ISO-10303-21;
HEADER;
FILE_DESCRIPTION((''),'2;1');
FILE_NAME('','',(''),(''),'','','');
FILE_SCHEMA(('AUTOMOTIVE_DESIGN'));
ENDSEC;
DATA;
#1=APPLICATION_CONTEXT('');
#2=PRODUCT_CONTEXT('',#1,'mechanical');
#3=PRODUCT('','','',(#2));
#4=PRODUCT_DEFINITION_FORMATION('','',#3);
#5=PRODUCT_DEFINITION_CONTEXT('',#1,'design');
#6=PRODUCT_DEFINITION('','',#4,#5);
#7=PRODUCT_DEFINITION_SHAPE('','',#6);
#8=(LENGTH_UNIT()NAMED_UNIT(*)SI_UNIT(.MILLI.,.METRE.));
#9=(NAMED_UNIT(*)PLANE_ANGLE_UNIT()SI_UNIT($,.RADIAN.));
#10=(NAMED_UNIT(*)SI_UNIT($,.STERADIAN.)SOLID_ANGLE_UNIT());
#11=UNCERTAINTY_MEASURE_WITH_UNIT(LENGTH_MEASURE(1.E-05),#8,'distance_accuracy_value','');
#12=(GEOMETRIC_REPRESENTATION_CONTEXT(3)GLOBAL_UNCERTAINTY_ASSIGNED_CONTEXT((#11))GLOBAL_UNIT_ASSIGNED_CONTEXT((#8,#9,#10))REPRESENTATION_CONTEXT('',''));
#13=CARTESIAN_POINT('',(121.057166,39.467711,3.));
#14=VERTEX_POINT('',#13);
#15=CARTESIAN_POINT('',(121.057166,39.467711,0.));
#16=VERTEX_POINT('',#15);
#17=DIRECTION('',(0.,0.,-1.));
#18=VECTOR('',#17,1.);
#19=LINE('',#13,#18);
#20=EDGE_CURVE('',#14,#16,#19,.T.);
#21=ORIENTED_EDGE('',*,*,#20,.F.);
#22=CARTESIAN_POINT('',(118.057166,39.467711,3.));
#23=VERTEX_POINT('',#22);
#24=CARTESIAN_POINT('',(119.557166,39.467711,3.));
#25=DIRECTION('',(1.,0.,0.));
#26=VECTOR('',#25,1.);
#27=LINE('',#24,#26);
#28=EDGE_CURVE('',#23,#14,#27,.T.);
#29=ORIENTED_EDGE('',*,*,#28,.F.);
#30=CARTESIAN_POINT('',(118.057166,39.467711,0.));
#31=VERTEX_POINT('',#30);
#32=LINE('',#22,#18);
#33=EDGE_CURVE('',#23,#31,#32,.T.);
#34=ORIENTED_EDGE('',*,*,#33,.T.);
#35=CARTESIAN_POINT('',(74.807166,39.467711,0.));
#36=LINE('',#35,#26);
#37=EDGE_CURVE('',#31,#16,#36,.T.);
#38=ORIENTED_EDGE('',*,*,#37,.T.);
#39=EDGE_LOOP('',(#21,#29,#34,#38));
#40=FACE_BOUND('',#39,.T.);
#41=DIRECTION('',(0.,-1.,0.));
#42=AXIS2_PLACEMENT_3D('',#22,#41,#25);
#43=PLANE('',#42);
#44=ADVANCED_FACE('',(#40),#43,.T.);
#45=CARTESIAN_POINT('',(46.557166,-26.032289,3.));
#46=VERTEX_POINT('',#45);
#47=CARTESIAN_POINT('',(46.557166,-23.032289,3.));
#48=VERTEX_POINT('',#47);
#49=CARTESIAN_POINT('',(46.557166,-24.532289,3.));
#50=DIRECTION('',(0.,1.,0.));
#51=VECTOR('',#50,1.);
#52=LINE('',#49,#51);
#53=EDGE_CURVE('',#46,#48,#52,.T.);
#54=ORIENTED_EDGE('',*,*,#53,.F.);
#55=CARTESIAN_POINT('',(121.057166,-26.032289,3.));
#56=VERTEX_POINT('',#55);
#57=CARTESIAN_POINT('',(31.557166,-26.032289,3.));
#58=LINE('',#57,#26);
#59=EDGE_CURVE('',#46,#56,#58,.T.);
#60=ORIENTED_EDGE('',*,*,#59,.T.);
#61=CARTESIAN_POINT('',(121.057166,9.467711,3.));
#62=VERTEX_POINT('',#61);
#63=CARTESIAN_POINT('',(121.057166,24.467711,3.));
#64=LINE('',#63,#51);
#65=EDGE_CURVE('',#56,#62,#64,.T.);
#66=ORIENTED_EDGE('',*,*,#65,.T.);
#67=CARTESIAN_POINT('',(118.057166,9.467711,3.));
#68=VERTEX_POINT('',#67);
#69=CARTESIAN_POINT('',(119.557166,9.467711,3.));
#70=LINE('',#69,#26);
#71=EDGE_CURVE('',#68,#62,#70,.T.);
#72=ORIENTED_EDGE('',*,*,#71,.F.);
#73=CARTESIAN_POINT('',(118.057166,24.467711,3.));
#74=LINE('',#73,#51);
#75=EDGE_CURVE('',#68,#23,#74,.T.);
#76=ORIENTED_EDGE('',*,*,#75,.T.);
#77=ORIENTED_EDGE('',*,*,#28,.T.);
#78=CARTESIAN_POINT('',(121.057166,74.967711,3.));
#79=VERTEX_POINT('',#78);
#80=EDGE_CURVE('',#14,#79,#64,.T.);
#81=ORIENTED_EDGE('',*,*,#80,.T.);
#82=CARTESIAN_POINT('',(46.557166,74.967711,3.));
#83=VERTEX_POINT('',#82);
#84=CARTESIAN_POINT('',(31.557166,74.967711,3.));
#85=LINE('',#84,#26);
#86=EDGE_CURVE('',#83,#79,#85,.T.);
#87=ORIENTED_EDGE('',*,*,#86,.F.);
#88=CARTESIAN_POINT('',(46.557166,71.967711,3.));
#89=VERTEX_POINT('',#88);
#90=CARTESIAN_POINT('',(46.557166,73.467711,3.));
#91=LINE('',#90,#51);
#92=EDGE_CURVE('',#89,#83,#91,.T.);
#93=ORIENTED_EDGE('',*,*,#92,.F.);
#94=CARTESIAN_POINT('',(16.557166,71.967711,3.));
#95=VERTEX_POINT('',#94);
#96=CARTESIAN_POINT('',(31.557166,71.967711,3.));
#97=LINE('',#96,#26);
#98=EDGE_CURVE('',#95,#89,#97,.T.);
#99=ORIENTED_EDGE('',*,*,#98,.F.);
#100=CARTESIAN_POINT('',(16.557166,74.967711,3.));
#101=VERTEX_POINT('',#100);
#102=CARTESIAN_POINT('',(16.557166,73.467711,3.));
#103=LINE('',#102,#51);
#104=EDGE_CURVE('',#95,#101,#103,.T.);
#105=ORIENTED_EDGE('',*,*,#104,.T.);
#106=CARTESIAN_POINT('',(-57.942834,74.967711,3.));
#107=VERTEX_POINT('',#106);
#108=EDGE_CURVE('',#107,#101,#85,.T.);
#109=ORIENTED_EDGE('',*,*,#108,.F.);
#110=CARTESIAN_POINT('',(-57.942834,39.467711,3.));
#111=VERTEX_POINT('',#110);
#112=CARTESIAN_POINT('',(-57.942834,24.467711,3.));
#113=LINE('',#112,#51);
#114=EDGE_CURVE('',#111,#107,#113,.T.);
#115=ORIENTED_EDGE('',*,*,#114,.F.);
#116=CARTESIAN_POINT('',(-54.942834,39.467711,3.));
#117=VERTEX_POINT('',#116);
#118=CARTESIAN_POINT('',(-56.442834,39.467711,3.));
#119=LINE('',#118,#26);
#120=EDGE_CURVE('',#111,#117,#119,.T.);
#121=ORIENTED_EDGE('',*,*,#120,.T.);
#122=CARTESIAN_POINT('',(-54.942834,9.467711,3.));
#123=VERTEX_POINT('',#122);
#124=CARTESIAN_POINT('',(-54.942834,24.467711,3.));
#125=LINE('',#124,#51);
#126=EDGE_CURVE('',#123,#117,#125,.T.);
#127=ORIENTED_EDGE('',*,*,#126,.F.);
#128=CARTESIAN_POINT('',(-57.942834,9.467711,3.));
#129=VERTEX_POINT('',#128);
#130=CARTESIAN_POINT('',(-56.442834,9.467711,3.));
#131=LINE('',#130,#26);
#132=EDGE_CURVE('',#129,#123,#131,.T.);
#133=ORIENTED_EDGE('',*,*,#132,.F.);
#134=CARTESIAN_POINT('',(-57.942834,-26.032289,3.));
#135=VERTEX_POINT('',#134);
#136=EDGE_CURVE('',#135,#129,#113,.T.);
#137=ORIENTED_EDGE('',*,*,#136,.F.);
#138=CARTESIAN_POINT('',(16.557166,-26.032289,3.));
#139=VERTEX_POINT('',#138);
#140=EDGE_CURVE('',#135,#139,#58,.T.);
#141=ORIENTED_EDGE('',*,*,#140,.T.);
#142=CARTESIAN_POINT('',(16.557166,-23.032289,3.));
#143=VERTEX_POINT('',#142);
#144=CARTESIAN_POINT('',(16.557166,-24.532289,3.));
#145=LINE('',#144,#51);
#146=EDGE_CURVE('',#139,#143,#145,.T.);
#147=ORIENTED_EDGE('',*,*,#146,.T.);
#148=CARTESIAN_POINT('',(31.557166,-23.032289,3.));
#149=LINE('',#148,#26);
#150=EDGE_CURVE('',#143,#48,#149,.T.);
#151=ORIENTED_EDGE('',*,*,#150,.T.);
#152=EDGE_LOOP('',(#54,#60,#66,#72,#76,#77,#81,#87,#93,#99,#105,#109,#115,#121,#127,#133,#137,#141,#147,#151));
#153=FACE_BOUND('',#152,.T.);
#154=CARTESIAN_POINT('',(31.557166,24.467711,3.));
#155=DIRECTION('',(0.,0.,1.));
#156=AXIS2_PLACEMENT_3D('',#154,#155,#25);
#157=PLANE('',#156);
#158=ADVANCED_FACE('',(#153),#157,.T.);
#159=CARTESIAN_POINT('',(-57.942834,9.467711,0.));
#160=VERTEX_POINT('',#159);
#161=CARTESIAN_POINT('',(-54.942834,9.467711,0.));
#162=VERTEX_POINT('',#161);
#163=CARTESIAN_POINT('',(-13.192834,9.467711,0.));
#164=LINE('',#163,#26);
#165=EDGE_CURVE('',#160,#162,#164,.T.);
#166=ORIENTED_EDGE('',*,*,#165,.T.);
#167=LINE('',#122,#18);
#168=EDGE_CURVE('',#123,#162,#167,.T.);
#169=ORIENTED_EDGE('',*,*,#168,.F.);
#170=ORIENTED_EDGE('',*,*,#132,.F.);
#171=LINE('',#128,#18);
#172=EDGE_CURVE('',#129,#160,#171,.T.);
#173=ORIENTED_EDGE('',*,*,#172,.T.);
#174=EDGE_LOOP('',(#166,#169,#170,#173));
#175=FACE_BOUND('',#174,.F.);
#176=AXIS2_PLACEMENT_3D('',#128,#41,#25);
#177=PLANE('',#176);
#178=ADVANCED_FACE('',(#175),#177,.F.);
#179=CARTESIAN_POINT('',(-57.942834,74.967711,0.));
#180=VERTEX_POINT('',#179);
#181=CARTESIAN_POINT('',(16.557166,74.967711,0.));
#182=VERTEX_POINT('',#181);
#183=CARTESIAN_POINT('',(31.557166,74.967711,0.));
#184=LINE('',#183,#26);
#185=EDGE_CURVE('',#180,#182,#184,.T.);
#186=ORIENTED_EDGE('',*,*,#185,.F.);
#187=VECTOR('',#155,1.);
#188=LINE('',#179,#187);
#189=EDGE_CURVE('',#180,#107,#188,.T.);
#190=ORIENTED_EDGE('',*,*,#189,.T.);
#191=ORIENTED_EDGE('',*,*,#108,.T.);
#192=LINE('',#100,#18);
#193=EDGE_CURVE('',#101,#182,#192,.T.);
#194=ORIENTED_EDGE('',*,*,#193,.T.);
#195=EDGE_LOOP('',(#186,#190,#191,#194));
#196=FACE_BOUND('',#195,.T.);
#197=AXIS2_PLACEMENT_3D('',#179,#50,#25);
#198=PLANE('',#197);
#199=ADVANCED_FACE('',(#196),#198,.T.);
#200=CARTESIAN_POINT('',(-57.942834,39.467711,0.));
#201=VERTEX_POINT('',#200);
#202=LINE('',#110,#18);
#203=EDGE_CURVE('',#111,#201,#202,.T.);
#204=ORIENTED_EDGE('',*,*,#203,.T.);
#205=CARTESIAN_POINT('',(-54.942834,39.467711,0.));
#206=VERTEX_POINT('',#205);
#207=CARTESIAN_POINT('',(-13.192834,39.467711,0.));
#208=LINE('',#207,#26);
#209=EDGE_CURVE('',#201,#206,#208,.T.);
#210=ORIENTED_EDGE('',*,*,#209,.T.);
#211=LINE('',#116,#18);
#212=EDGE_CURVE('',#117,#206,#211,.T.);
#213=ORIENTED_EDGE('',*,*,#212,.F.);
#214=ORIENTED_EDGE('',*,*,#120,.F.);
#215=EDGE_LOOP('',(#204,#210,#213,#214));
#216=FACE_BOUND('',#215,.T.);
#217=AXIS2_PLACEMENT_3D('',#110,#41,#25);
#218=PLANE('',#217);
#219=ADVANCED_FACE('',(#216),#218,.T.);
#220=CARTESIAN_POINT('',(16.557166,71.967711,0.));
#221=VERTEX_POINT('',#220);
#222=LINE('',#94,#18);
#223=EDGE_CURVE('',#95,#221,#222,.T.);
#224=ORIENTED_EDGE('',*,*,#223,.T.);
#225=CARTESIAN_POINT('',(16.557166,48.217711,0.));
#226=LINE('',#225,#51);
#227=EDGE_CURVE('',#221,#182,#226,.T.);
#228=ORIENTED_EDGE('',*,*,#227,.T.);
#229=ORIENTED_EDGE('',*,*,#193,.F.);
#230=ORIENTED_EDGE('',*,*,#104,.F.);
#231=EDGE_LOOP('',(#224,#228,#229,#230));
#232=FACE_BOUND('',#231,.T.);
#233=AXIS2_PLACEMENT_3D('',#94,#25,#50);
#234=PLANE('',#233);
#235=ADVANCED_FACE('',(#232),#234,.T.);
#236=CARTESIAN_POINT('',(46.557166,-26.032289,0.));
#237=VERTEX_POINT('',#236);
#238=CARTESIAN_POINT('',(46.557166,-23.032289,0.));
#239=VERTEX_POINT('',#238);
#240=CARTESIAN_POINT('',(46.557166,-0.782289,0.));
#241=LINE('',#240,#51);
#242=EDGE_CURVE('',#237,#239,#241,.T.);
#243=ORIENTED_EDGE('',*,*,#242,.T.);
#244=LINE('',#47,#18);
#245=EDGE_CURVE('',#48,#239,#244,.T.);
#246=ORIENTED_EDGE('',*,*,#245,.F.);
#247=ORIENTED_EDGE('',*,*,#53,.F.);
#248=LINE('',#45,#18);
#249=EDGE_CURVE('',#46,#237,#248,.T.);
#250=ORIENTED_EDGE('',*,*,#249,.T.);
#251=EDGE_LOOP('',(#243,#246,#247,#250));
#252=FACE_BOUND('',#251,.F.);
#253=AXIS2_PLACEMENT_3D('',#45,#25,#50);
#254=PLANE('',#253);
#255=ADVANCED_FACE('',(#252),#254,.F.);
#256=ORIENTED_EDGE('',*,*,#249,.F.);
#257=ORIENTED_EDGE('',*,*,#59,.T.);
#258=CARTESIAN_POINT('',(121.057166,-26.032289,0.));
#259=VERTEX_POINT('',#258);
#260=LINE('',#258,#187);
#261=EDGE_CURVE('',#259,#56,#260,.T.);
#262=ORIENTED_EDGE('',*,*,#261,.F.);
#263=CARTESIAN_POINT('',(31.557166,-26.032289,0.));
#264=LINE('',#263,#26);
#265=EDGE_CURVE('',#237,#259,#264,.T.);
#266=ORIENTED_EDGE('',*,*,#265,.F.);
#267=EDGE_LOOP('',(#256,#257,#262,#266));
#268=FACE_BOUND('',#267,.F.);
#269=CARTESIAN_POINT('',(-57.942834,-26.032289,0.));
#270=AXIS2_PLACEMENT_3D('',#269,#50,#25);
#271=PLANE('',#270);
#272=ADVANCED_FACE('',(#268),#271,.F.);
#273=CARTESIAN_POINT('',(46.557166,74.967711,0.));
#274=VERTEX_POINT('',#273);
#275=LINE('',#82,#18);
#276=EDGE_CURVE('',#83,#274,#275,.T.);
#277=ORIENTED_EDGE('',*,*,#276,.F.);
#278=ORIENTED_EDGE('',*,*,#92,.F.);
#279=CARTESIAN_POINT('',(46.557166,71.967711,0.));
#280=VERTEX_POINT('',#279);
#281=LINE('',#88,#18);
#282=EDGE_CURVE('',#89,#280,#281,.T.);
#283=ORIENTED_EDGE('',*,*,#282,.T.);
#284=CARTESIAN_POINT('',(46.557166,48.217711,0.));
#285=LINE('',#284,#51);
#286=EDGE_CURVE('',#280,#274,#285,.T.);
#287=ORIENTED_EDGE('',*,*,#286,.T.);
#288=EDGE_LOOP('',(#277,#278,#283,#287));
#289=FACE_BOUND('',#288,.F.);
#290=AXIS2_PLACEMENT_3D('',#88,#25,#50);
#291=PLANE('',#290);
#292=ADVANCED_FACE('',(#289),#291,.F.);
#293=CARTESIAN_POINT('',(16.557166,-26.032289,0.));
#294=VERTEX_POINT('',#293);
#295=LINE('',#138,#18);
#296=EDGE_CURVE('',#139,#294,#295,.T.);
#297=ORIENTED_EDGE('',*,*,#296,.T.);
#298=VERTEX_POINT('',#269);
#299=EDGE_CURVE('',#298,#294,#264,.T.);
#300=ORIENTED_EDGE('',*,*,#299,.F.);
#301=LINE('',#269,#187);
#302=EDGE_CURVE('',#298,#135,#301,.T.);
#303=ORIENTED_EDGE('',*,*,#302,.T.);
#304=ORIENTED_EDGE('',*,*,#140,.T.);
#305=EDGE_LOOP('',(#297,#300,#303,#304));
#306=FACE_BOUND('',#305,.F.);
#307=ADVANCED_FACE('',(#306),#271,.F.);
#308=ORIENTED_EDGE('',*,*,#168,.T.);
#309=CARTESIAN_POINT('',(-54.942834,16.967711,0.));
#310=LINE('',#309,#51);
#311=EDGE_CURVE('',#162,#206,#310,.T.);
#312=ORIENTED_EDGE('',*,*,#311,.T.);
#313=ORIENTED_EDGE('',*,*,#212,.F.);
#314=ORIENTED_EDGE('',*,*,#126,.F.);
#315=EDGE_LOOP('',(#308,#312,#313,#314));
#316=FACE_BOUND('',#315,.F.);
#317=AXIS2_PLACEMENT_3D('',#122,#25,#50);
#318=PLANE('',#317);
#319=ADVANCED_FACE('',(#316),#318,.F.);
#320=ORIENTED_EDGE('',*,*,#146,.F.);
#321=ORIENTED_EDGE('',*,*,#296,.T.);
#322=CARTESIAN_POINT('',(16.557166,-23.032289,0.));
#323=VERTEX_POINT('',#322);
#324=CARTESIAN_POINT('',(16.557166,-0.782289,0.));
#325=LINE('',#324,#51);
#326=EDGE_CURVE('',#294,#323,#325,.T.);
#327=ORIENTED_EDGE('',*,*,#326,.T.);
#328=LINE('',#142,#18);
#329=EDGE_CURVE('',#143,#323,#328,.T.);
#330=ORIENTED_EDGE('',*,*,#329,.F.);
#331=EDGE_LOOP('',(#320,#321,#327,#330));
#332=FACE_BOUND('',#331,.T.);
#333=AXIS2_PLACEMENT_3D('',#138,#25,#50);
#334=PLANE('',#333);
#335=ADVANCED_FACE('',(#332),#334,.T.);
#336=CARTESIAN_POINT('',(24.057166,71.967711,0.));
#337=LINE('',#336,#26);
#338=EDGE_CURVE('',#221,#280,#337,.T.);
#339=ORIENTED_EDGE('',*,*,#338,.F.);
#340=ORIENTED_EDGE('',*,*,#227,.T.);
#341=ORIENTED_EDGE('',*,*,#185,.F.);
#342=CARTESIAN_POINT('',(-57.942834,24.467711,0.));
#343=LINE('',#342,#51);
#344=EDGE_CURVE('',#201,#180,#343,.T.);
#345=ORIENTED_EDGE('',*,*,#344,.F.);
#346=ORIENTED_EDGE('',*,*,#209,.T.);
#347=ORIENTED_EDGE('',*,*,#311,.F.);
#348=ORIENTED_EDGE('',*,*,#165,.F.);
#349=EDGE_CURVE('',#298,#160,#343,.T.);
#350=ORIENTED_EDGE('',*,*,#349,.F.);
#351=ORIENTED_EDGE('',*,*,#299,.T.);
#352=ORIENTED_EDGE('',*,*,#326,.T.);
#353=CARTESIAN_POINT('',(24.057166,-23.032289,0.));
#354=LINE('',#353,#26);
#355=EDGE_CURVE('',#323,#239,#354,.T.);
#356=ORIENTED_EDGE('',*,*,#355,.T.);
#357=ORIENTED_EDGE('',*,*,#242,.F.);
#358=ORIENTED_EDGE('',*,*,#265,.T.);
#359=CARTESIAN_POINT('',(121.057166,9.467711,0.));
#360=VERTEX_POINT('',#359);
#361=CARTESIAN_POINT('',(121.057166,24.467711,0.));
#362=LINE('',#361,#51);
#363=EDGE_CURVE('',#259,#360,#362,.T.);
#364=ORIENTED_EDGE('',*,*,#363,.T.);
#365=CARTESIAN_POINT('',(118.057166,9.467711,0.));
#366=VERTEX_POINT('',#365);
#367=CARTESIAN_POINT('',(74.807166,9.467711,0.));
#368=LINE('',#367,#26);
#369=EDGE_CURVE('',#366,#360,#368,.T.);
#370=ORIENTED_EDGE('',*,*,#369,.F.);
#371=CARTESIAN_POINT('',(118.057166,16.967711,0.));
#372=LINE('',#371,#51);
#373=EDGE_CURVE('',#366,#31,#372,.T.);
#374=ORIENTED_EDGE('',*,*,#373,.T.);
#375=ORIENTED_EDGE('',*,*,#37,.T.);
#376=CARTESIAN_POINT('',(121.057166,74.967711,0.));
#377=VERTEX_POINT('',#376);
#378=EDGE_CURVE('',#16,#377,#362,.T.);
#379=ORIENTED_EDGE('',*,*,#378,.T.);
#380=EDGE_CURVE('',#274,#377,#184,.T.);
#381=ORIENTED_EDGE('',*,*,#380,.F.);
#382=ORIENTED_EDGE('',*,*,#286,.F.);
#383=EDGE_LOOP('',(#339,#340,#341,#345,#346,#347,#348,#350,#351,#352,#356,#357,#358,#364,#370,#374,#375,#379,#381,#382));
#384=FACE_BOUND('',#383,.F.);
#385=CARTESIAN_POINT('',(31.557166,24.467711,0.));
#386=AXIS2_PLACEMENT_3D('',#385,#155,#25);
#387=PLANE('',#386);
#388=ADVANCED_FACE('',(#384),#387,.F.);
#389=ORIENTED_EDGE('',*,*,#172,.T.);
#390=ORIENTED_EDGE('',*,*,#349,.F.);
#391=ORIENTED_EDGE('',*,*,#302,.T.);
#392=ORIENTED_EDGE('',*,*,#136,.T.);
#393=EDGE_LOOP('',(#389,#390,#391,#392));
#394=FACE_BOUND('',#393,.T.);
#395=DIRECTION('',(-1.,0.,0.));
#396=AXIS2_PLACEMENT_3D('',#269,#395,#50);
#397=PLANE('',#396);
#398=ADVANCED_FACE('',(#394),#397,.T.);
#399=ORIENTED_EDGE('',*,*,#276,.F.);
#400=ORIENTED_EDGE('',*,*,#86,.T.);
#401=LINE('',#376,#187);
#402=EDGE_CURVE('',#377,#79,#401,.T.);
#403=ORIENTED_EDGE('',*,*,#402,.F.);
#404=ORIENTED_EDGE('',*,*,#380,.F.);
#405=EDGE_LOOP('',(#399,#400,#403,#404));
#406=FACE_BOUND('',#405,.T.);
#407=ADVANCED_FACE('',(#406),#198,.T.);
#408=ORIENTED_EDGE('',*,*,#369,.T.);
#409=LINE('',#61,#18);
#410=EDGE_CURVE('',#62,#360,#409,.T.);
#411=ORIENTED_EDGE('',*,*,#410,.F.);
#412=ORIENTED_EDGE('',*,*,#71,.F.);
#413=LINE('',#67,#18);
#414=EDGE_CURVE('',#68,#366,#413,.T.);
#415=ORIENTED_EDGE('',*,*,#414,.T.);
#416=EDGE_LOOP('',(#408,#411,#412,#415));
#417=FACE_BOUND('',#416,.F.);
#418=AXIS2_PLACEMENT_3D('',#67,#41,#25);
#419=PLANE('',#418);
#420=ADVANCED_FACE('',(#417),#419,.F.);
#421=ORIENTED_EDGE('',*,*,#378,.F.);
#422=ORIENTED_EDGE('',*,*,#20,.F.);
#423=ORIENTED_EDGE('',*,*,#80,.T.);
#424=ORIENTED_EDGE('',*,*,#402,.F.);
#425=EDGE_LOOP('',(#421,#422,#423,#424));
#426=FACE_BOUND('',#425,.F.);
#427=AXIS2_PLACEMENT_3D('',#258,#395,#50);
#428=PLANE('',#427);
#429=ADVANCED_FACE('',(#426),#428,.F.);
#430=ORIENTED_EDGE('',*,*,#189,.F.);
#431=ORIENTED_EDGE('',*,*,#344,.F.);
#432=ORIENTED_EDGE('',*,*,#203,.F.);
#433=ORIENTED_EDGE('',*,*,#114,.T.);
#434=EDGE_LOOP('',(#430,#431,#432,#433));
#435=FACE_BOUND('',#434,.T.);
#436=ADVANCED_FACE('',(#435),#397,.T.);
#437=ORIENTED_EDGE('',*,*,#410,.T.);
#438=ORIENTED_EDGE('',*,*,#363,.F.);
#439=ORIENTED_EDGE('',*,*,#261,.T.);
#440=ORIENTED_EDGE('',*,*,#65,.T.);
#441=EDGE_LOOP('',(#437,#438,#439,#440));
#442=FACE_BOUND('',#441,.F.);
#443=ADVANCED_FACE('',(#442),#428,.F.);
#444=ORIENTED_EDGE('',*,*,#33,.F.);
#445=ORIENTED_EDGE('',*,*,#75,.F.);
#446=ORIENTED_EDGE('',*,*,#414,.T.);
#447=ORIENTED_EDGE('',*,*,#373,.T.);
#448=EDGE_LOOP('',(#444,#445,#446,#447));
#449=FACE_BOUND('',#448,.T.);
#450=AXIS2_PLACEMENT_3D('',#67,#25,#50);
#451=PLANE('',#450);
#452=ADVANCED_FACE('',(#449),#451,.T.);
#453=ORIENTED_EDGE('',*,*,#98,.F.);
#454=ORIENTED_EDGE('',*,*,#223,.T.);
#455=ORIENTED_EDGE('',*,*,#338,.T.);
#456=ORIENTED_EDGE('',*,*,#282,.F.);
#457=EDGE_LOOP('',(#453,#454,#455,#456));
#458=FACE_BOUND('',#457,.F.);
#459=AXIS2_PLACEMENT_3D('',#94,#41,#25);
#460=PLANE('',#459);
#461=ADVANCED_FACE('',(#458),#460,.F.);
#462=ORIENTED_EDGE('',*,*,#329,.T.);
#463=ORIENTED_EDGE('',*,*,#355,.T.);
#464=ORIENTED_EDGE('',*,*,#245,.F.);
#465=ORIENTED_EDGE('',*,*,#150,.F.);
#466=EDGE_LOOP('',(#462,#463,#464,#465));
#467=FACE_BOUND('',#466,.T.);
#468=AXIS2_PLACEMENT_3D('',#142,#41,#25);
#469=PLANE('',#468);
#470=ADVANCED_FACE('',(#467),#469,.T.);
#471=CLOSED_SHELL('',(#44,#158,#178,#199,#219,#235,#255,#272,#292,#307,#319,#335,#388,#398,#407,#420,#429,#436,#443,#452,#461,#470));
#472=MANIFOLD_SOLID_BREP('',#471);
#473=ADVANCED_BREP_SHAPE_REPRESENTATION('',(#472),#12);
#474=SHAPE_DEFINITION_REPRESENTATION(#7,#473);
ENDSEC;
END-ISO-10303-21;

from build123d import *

# Parameters (mm, degrees)
F0_W     = 179
F0_H     = 101
F1_DEPTH = 3
F2_W     = 30
F2_H     = 3
F2_W_2   = 3
F2_H_2   = 30
F3_DEPTH = 25


with BuildPart() as f1:
    # F0 (on Top) → F1 (new body)
    with BuildSketch(Plane.XY):
        with Locations((31.557166, 24.467711)):
            Rectangle(F0_W, F0_H)
    extrude(amount=F1_DEPTH)

    # F2 (on face) → F3 (cut)
    with BuildSketch(Plane.XY.offset(3)):
        with Locations((31.557166, 73.467711)):
            Rectangle(F2_W, F2_H)
        with Locations((-56.442834, 24.467711)):
            Rectangle(F2_W_2, F2_H_2)
        with Locations((119.557166, 24.467711)):
            Rectangle(F2_W_2, F2_H_2)
        with Locations((31.557166, -24.532289)):
            Rectangle(F2_W, F2_H)
    extrude(amount=-F3_DEPTH, mode=Mode.SUBTRACT)


solid = f1.part
